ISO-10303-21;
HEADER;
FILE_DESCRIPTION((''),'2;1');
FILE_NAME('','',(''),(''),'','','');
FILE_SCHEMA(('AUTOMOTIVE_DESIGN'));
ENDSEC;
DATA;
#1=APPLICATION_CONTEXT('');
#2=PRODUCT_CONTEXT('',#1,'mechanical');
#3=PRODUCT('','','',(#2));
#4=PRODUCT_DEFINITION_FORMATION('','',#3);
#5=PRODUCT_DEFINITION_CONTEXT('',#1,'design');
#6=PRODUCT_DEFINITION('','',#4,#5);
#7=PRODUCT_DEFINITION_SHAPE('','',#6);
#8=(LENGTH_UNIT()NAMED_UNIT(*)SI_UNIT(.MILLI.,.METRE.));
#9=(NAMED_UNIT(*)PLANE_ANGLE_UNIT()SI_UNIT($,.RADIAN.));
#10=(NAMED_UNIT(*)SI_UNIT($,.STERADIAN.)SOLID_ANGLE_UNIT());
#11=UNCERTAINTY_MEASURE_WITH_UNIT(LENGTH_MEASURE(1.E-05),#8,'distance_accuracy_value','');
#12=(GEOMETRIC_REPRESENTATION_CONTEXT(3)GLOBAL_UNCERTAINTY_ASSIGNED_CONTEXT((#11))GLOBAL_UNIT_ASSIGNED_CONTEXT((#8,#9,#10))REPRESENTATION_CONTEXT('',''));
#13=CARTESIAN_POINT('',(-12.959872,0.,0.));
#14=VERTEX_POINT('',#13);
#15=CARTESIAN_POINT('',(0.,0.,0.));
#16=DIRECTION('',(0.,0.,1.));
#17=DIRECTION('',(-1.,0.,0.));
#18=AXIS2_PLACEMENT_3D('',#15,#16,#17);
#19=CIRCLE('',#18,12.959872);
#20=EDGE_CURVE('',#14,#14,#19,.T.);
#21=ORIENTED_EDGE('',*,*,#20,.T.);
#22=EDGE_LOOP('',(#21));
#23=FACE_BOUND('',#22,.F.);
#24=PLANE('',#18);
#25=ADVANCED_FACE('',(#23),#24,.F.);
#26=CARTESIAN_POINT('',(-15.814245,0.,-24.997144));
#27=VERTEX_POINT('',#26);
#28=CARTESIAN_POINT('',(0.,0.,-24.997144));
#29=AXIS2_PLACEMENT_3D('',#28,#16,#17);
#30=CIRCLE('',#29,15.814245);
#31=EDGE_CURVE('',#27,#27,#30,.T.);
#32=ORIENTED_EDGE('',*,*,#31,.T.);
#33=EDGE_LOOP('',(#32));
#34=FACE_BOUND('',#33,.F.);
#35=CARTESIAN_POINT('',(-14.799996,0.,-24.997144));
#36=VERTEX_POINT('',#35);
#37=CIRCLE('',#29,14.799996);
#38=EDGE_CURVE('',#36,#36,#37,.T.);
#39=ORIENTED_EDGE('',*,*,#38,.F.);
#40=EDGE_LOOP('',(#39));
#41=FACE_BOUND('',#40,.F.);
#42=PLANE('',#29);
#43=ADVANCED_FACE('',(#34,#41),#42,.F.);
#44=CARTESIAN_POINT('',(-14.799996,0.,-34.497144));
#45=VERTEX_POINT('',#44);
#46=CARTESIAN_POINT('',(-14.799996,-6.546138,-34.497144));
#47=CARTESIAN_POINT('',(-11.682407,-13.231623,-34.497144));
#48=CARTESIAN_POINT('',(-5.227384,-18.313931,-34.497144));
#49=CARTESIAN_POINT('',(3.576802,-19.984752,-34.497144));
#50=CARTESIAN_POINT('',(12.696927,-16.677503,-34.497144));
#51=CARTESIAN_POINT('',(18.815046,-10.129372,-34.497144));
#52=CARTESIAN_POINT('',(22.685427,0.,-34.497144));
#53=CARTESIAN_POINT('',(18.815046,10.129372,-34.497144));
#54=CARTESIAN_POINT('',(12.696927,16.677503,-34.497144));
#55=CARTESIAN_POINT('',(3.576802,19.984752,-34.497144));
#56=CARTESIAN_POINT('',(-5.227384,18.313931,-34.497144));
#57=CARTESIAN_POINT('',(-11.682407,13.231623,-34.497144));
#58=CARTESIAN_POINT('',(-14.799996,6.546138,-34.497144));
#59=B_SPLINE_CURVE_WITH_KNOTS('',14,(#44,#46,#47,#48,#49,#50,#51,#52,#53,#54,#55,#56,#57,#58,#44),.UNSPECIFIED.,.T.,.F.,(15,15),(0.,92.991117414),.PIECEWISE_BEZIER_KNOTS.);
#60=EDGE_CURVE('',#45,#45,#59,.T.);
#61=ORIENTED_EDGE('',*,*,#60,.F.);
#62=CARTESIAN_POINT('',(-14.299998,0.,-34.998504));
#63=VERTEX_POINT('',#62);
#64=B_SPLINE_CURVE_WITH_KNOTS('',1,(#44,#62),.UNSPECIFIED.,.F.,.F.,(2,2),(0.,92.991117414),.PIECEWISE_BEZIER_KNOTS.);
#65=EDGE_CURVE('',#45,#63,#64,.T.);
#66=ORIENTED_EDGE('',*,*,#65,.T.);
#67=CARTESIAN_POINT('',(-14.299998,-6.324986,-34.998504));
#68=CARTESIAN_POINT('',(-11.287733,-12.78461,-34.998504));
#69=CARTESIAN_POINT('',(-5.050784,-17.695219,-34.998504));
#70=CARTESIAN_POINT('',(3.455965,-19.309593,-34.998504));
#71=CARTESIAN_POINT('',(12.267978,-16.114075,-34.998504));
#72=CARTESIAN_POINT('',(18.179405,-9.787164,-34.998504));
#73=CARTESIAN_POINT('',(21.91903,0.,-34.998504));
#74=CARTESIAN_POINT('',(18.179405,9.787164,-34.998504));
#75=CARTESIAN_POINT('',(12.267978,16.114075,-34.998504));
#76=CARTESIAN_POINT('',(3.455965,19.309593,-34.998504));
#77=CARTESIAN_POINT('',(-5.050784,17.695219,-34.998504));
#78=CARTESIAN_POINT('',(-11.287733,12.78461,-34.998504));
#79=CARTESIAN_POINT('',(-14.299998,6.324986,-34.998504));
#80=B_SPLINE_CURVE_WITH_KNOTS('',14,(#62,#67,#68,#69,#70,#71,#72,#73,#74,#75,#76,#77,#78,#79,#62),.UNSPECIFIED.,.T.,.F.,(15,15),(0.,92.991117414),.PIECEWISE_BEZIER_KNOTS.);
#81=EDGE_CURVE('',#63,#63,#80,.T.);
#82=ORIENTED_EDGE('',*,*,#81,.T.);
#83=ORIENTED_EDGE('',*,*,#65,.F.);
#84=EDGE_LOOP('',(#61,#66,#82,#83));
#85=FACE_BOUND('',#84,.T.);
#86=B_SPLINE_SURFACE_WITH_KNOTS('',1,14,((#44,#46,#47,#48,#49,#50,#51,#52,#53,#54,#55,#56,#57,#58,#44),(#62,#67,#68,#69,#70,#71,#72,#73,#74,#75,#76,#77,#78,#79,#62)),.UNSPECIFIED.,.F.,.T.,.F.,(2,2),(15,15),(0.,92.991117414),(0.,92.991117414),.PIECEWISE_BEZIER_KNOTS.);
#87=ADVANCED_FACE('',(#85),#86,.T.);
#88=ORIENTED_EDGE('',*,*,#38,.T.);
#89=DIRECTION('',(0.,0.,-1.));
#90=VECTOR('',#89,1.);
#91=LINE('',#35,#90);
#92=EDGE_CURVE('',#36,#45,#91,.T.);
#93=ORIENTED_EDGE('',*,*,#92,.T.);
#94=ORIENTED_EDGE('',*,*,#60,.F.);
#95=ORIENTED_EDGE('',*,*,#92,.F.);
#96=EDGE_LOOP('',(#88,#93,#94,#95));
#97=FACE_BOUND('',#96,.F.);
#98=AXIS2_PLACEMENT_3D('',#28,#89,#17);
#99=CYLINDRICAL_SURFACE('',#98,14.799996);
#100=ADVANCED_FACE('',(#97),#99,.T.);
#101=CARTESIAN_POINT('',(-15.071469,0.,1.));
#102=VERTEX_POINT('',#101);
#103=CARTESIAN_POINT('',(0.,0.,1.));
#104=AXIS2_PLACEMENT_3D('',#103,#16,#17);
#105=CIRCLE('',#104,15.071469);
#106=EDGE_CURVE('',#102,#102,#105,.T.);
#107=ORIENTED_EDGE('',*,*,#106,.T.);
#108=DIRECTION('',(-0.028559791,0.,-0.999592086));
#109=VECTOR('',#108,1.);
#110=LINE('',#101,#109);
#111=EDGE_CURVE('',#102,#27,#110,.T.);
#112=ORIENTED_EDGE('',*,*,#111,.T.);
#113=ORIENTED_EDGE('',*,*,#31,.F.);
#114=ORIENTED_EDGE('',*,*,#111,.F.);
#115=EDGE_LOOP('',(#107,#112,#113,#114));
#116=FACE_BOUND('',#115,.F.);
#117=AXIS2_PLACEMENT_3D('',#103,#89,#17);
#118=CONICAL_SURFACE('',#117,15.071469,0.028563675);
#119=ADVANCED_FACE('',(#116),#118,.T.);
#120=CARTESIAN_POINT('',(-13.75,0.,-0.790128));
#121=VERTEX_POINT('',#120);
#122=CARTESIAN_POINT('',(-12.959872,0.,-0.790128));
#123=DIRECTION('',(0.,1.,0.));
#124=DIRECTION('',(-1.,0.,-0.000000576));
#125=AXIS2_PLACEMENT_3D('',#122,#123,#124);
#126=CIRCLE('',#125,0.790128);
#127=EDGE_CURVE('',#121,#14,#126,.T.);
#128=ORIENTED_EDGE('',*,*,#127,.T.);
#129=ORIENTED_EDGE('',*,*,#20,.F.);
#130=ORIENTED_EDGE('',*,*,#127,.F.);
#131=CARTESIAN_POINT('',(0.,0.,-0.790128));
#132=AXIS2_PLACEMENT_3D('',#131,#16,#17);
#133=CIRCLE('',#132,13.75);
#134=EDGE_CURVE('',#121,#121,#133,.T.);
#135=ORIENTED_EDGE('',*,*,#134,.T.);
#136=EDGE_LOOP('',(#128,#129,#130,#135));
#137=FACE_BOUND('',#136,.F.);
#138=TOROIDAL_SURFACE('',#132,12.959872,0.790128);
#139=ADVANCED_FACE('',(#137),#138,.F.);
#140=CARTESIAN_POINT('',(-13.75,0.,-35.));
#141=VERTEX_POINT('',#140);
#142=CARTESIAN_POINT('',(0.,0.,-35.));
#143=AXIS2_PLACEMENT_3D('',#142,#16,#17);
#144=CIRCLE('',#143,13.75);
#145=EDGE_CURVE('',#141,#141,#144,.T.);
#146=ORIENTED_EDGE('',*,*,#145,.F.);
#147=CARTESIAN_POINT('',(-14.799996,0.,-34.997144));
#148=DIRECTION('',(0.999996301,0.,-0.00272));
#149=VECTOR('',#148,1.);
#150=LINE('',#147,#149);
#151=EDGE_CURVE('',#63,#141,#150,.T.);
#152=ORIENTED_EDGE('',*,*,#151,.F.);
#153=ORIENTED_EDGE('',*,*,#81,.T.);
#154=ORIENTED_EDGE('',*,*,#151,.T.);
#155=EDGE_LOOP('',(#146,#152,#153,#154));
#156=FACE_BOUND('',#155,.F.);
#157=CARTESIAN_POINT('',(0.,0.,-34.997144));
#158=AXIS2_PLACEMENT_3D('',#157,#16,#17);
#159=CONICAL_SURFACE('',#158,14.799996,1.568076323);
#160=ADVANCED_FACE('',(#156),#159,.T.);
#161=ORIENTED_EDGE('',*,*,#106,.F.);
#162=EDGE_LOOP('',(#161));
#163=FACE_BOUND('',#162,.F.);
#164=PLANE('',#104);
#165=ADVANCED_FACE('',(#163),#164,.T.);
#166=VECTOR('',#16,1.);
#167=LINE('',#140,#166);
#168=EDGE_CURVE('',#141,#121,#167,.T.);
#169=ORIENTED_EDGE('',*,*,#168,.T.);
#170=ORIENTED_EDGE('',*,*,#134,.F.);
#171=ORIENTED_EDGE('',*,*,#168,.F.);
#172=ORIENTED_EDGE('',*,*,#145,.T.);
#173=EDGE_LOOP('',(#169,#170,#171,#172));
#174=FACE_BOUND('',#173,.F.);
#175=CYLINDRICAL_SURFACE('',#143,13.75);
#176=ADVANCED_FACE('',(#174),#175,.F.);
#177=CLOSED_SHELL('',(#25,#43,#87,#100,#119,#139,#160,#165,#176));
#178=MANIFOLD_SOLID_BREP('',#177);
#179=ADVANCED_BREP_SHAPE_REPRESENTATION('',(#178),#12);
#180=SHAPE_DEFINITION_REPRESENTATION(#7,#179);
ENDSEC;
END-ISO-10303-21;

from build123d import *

# Parameters (mm, degrees)
F2_SIZE = 0.5


with BuildPart() as f1:
    # F0 (on Front) → F1 (revolve)
    with BuildSketch(Plane.XZ):
        with BuildLine():
            Line((-12.959872, 0), (0, 0))
            Line((0, 0), (0, 1))
            Line((0, 1), (-15.071469, 1))
            Line((-15.071469, 1), (-15.814245, -24.997144))
            Line((-15.814245, -24.997144), (-14.799996, -24.997144))
            Line((-14.799996, -24.997144), (-14.799996, -34.997144))
            Line((-14.799996, -34.997144), (-13.75, -35))
            Line((-13.75, -35), (-13.75, -0.790128))
            ThreePointArc((-13.75, -0.790128), (-13.518577, -0.231423), (-12.959872, 0))
        make_face()
    revolve(axis=Axis((0, 0, 35.289533), (0, 0, 1)))

    # F2
    f2_edges = [f1.edges().sort_by_distance(p)[0] for p in [
        (14.799996, 0, -34.997144),
    ]]
    chamfer(f2_edges, length=F2_SIZE)


solid = f1.part
